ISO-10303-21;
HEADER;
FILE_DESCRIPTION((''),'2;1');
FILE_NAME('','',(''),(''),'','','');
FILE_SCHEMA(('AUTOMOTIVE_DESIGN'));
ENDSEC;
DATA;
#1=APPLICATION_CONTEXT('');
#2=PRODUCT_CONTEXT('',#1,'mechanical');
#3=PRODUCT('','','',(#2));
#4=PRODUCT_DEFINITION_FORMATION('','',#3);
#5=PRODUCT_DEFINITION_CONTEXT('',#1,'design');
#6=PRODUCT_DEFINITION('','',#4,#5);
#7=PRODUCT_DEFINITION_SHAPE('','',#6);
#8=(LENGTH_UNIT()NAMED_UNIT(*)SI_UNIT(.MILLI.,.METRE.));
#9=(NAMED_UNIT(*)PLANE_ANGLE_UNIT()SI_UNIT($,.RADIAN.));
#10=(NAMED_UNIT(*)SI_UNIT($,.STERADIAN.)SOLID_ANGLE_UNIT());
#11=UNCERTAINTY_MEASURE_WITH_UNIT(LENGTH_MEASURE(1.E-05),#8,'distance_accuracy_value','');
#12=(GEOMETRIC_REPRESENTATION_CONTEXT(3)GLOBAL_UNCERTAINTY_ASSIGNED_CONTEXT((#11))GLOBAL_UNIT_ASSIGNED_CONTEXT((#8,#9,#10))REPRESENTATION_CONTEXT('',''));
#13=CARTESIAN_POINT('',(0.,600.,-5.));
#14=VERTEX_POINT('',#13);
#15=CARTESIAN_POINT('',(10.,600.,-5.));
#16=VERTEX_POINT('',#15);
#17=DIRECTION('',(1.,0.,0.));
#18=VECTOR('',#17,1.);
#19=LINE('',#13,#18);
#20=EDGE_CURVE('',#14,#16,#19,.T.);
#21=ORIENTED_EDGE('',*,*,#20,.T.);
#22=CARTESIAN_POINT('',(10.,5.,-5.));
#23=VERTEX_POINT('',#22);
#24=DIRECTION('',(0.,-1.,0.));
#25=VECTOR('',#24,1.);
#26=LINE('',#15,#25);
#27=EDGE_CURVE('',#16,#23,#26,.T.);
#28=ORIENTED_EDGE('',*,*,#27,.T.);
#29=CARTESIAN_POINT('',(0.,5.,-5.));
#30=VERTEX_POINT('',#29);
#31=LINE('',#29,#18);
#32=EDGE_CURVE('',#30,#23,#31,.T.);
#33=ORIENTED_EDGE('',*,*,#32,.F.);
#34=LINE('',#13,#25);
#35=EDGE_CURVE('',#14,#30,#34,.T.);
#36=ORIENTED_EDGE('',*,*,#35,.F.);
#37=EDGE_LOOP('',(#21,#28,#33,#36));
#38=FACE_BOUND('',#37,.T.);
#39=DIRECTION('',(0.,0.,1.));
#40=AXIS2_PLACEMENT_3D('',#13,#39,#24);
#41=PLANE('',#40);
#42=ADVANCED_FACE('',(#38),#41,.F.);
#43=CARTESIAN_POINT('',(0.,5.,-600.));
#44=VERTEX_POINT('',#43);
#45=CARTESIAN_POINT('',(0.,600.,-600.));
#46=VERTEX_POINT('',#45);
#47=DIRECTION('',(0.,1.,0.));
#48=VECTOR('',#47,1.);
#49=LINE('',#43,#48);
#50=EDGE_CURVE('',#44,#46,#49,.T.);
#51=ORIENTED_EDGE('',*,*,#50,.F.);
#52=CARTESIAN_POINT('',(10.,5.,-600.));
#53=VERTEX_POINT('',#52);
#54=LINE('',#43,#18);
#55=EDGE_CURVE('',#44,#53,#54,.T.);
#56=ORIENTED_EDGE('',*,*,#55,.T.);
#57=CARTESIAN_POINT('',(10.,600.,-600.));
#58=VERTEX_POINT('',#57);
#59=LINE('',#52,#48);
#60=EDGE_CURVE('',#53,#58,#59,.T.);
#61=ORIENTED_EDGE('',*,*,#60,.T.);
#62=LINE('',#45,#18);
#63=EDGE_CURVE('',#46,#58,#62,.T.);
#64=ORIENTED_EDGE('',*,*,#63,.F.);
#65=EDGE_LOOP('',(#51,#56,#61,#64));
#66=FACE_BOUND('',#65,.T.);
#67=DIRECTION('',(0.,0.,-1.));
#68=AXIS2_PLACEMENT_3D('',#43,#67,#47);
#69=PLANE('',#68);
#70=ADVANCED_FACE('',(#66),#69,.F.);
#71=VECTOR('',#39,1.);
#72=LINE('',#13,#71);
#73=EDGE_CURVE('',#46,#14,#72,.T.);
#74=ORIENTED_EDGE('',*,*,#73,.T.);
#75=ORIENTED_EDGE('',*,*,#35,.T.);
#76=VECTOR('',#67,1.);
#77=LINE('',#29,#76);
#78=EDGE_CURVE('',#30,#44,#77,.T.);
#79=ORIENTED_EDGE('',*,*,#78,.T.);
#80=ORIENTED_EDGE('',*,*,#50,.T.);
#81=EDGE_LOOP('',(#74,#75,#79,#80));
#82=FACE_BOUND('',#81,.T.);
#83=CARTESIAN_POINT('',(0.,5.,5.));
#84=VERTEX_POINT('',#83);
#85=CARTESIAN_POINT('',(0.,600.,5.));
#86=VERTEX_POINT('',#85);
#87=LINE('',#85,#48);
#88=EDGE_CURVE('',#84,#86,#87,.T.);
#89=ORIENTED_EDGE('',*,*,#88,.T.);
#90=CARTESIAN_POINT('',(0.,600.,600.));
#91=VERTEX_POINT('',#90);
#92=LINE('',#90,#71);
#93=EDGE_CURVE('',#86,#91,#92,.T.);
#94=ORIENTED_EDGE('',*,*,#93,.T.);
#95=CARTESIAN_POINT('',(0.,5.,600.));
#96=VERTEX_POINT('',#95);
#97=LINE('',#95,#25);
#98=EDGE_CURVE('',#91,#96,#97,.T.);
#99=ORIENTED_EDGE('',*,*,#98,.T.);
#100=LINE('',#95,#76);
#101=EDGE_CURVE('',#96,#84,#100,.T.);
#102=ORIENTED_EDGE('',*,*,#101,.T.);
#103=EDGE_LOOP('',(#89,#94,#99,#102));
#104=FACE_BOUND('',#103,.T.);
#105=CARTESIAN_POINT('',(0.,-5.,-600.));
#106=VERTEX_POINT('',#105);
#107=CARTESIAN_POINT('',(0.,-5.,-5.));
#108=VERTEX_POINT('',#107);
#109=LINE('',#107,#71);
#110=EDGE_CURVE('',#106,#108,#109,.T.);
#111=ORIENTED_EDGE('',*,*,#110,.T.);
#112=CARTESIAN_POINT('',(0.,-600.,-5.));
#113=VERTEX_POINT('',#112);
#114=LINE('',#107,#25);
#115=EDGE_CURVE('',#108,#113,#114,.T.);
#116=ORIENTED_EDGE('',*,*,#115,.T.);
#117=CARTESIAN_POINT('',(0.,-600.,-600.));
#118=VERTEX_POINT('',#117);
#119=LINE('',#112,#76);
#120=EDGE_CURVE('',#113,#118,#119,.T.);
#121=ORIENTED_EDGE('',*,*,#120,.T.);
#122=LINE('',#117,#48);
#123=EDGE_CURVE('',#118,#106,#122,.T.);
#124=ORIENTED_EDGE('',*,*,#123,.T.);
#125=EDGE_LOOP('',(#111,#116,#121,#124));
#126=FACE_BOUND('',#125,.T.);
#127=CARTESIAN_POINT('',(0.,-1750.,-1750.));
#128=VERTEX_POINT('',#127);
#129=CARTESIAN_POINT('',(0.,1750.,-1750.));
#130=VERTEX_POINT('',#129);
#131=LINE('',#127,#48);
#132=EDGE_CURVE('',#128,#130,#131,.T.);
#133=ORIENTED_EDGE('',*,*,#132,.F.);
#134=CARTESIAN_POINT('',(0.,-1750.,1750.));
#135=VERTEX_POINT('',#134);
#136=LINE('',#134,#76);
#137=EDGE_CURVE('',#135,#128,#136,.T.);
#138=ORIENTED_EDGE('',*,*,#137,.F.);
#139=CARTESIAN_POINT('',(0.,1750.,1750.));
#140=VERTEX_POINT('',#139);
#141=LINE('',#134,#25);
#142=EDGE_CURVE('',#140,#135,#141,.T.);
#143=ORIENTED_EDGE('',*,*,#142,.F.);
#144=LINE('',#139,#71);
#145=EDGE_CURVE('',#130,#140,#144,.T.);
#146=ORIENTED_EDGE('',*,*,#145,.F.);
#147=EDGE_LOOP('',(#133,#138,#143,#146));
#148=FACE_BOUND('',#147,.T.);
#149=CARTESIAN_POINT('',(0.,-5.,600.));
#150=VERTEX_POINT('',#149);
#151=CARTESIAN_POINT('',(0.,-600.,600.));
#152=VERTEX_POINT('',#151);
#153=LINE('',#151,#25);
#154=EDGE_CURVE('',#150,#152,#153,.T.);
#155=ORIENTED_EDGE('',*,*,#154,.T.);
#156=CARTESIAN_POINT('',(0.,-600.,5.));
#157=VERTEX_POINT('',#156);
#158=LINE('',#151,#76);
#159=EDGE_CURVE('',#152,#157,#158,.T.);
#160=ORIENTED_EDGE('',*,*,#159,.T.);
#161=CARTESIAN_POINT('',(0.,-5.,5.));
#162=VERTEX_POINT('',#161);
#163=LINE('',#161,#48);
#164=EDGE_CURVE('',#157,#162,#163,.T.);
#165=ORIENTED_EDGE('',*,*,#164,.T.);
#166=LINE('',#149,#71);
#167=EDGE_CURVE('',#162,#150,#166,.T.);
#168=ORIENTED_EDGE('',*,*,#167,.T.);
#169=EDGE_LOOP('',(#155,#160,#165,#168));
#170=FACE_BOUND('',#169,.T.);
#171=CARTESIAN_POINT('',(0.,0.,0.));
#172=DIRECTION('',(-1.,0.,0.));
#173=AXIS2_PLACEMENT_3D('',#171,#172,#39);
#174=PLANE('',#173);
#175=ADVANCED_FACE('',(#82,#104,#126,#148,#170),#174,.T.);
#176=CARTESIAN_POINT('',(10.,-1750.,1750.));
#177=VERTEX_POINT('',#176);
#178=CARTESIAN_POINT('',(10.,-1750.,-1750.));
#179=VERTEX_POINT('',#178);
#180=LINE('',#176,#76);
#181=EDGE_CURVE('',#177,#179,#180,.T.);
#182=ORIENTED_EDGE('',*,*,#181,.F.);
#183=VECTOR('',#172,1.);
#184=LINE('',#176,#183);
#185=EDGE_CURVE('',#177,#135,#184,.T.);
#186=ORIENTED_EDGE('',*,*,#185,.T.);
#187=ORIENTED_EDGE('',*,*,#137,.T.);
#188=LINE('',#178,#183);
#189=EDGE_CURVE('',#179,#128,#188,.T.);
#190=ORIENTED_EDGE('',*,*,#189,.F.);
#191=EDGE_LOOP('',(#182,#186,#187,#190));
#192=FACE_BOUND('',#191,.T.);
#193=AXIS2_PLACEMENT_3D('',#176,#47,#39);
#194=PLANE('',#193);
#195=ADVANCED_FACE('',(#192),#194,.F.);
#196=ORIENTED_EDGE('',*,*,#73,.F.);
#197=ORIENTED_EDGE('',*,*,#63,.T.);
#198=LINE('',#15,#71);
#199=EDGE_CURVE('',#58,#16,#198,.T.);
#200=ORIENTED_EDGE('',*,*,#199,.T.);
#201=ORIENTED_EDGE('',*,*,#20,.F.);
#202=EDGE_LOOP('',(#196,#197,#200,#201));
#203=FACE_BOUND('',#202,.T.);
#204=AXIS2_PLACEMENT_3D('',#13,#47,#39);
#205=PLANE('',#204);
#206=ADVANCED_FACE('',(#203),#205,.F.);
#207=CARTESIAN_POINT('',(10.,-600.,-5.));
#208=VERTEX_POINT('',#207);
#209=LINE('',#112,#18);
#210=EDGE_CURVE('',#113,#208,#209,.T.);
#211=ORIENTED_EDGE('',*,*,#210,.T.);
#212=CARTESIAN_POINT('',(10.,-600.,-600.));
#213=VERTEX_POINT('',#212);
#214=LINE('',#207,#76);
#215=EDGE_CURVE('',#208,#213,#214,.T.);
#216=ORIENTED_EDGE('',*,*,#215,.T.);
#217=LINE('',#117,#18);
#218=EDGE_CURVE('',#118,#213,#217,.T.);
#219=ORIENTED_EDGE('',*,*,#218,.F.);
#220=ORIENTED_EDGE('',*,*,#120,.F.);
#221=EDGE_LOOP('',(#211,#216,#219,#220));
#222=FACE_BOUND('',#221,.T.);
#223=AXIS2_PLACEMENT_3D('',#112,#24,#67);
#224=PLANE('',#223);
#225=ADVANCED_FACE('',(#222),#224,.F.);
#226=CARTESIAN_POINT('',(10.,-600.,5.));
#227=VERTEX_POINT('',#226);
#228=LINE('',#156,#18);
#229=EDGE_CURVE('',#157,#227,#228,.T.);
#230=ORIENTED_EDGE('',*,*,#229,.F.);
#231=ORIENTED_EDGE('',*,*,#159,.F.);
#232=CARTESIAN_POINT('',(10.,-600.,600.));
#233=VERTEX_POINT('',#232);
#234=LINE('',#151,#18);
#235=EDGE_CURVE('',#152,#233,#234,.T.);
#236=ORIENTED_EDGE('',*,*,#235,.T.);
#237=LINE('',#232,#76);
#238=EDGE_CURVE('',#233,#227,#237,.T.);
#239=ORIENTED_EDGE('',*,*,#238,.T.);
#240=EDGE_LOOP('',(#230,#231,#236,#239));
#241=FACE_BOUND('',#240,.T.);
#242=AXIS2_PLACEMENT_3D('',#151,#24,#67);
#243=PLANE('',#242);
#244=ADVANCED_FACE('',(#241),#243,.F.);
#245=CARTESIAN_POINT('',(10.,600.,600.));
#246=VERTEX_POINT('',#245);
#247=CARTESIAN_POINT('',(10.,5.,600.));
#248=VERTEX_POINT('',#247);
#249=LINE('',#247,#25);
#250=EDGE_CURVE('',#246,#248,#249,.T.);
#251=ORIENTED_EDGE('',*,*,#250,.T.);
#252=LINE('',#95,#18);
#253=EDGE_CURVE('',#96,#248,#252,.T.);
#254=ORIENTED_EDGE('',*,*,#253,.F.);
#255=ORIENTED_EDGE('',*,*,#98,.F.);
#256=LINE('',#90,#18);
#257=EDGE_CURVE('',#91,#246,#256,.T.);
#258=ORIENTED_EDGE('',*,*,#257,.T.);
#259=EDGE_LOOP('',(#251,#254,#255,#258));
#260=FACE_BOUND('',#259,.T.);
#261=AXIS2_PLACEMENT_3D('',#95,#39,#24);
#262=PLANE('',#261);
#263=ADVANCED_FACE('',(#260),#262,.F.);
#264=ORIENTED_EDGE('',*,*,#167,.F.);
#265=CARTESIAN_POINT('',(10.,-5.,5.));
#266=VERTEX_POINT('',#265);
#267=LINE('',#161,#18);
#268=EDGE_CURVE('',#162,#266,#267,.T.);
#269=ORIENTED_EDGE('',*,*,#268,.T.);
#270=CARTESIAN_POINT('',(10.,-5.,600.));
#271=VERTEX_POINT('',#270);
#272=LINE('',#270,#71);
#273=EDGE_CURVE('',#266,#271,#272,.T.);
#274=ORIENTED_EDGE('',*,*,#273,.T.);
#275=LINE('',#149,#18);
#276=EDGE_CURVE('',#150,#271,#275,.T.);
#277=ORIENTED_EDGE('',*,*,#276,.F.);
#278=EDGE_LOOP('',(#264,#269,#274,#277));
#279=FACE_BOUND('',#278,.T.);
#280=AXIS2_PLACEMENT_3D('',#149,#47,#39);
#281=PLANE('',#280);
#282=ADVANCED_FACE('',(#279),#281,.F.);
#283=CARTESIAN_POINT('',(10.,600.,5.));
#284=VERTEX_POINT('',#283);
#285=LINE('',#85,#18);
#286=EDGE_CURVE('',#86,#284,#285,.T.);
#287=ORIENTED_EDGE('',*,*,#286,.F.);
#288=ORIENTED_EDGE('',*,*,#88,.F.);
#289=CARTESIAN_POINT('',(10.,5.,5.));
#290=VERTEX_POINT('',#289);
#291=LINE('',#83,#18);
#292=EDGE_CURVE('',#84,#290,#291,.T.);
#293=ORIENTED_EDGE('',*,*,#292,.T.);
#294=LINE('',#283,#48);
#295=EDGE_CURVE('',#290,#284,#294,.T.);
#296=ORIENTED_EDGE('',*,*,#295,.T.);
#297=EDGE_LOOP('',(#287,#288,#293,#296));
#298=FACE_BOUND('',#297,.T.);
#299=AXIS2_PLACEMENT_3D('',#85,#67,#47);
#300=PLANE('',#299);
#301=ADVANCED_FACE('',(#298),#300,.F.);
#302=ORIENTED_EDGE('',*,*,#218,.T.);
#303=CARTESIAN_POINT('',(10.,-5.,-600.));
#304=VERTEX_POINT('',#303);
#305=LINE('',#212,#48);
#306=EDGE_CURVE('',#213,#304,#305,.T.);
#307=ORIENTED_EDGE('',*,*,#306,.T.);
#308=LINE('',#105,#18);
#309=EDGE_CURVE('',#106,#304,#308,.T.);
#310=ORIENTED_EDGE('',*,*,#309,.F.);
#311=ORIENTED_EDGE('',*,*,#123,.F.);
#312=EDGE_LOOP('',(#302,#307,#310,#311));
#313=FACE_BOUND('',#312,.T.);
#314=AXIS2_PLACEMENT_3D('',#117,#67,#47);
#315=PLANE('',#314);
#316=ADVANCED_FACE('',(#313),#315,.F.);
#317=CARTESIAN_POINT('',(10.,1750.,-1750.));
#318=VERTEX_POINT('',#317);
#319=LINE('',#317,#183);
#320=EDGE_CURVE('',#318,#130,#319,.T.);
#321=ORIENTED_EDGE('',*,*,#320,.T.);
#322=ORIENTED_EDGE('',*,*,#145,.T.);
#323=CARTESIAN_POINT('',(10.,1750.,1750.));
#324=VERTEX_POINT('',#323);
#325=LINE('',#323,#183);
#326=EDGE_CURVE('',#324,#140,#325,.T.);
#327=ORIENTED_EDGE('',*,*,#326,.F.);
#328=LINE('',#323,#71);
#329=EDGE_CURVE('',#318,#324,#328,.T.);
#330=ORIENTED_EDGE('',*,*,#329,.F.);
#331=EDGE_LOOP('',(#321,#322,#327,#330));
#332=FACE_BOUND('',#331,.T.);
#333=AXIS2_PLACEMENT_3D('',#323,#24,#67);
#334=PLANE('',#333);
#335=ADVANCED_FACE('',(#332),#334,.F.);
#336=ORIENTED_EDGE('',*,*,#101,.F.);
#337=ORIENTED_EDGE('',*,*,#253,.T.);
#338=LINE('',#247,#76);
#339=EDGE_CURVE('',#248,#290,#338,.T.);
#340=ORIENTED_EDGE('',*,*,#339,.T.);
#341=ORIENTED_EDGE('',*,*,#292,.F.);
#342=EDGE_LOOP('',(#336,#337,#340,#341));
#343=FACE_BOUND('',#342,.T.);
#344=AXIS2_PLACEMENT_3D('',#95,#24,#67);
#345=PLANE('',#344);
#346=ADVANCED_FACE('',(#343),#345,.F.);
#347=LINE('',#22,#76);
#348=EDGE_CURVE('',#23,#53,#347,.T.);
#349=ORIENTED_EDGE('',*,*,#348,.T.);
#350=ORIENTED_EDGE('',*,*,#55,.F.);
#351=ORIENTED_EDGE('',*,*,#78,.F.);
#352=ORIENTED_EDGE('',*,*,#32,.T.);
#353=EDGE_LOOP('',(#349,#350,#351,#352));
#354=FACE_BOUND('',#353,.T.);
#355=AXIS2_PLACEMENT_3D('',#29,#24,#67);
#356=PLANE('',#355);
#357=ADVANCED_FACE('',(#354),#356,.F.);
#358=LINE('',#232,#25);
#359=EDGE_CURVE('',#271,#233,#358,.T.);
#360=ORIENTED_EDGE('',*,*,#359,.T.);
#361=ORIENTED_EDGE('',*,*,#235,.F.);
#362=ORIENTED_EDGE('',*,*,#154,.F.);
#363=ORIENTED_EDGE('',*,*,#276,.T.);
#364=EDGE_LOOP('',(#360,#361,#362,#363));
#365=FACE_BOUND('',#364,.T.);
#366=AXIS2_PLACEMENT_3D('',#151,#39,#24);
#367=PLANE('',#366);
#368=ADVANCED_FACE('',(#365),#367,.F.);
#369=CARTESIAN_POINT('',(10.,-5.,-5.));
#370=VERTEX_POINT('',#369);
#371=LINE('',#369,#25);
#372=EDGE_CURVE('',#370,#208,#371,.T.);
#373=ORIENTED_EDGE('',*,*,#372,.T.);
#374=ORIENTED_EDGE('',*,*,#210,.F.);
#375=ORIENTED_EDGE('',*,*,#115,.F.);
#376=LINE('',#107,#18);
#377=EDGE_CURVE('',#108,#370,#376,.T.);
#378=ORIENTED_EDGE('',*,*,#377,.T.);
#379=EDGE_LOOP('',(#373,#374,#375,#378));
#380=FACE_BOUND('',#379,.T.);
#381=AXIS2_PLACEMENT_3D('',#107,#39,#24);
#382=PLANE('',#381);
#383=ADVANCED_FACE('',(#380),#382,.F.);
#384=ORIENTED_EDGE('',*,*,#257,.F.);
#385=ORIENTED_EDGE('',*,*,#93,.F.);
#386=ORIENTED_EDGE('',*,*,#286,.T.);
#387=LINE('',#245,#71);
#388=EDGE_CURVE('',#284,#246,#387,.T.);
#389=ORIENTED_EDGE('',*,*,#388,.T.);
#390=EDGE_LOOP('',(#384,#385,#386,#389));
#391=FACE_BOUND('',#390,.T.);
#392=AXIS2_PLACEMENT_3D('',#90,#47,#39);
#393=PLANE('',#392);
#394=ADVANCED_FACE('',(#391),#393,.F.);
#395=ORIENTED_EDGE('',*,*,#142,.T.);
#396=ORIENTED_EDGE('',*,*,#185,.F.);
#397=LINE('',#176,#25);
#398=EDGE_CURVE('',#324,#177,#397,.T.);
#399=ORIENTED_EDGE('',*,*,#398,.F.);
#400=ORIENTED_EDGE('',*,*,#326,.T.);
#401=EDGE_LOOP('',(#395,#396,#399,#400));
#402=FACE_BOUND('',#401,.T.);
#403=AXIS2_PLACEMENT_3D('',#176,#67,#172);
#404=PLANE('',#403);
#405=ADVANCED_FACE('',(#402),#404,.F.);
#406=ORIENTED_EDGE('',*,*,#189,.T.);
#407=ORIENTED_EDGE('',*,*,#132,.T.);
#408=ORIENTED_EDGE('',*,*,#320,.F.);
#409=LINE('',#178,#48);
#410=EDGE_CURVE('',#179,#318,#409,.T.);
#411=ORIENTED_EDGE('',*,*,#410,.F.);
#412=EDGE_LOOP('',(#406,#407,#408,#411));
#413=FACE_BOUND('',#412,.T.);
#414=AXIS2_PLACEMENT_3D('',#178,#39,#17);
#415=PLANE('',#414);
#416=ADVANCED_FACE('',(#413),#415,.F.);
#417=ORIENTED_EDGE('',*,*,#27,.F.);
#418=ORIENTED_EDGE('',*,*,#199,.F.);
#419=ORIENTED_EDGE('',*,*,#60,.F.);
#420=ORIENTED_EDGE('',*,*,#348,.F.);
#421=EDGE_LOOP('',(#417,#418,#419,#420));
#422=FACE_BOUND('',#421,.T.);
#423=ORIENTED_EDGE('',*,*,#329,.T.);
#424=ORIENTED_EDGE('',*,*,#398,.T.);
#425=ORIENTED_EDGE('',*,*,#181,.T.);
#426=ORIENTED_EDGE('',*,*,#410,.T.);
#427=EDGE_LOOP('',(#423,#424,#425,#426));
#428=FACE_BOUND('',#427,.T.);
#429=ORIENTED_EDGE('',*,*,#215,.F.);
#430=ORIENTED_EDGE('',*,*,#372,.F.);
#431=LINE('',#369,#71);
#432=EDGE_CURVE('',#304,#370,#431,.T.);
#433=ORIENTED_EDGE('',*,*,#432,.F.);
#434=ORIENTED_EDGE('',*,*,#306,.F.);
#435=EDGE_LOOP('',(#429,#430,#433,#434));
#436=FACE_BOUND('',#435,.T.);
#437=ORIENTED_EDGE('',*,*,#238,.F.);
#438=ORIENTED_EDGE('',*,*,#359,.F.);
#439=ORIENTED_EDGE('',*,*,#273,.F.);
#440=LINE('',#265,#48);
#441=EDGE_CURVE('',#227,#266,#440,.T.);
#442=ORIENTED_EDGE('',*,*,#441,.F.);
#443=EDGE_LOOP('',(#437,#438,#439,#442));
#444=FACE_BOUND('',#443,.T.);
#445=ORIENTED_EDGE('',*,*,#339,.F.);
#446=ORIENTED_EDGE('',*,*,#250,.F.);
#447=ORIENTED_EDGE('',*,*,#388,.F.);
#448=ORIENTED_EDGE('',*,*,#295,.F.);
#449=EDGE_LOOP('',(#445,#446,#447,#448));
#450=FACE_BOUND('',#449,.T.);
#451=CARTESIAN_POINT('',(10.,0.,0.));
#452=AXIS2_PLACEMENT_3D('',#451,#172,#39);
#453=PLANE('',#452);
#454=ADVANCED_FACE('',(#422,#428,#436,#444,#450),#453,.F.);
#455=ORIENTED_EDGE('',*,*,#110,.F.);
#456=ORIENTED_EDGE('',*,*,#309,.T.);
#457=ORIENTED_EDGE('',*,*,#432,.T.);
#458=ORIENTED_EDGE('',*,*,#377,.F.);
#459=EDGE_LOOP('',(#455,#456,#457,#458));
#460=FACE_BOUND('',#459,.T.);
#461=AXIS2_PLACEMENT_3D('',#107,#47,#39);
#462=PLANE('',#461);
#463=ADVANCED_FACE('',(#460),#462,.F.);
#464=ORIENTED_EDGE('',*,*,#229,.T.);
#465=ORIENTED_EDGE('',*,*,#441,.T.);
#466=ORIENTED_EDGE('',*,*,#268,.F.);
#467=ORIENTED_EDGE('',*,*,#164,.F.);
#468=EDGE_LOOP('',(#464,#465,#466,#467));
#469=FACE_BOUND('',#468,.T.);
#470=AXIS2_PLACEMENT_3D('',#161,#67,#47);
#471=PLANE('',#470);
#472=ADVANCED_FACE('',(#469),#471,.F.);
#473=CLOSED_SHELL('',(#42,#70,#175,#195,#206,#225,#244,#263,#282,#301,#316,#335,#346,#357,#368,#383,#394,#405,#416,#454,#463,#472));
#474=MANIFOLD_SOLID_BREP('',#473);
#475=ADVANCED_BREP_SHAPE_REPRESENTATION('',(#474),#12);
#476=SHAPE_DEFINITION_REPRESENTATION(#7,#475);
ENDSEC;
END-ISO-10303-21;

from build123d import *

# Parameters (mm, degrees)
SKETCH1_W           = 3500
SKETCH1_H           = 3500
BOSS_EXTRUDE1_DEPTH = 10
SKETCH2_W           = 595
SKETCH2_H           = 595
CUT_EXTRUDE1_DEPTH  = 10


with BuildPart() as part:
    # Sketch1 → Boss-Extrude1 (new body)
    with BuildSketch(Plane(origin=(0, 0, 0), x_dir=(0, 0, -1), z_dir=(1, 0, 0))):
        Rectangle(SKETCH1_W, SKETCH1_H)
    extrude(amount=BOSS_EXTRUDE1_DEPTH)

    # Sketch2 → Cut-Extrude1 (cut)
    with BuildSketch(Plane(origin=(10, 0, 0), x_dir=(0, 0, -1), z_dir=(1, 0, 0))):
        with Locations((-302.5, -302.5)):
            Rectangle(SKETCH2_W, SKETCH2_H)
        with Locations((-302.5, 302.5)):
            Rectangle(SKETCH2_W, SKETCH2_H)
        with Locations((302.5, -302.5)):
            Rectangle(SKETCH2_W, SKETCH2_H)
        with Locations((302.5, 302.5)):
            Rectangle(SKETCH2_W, SKETCH2_H)
    extrude(amount=-CUT_EXTRUDE1_DEPTH, mode=Mode.SUBTRACT)


solid = part.part
